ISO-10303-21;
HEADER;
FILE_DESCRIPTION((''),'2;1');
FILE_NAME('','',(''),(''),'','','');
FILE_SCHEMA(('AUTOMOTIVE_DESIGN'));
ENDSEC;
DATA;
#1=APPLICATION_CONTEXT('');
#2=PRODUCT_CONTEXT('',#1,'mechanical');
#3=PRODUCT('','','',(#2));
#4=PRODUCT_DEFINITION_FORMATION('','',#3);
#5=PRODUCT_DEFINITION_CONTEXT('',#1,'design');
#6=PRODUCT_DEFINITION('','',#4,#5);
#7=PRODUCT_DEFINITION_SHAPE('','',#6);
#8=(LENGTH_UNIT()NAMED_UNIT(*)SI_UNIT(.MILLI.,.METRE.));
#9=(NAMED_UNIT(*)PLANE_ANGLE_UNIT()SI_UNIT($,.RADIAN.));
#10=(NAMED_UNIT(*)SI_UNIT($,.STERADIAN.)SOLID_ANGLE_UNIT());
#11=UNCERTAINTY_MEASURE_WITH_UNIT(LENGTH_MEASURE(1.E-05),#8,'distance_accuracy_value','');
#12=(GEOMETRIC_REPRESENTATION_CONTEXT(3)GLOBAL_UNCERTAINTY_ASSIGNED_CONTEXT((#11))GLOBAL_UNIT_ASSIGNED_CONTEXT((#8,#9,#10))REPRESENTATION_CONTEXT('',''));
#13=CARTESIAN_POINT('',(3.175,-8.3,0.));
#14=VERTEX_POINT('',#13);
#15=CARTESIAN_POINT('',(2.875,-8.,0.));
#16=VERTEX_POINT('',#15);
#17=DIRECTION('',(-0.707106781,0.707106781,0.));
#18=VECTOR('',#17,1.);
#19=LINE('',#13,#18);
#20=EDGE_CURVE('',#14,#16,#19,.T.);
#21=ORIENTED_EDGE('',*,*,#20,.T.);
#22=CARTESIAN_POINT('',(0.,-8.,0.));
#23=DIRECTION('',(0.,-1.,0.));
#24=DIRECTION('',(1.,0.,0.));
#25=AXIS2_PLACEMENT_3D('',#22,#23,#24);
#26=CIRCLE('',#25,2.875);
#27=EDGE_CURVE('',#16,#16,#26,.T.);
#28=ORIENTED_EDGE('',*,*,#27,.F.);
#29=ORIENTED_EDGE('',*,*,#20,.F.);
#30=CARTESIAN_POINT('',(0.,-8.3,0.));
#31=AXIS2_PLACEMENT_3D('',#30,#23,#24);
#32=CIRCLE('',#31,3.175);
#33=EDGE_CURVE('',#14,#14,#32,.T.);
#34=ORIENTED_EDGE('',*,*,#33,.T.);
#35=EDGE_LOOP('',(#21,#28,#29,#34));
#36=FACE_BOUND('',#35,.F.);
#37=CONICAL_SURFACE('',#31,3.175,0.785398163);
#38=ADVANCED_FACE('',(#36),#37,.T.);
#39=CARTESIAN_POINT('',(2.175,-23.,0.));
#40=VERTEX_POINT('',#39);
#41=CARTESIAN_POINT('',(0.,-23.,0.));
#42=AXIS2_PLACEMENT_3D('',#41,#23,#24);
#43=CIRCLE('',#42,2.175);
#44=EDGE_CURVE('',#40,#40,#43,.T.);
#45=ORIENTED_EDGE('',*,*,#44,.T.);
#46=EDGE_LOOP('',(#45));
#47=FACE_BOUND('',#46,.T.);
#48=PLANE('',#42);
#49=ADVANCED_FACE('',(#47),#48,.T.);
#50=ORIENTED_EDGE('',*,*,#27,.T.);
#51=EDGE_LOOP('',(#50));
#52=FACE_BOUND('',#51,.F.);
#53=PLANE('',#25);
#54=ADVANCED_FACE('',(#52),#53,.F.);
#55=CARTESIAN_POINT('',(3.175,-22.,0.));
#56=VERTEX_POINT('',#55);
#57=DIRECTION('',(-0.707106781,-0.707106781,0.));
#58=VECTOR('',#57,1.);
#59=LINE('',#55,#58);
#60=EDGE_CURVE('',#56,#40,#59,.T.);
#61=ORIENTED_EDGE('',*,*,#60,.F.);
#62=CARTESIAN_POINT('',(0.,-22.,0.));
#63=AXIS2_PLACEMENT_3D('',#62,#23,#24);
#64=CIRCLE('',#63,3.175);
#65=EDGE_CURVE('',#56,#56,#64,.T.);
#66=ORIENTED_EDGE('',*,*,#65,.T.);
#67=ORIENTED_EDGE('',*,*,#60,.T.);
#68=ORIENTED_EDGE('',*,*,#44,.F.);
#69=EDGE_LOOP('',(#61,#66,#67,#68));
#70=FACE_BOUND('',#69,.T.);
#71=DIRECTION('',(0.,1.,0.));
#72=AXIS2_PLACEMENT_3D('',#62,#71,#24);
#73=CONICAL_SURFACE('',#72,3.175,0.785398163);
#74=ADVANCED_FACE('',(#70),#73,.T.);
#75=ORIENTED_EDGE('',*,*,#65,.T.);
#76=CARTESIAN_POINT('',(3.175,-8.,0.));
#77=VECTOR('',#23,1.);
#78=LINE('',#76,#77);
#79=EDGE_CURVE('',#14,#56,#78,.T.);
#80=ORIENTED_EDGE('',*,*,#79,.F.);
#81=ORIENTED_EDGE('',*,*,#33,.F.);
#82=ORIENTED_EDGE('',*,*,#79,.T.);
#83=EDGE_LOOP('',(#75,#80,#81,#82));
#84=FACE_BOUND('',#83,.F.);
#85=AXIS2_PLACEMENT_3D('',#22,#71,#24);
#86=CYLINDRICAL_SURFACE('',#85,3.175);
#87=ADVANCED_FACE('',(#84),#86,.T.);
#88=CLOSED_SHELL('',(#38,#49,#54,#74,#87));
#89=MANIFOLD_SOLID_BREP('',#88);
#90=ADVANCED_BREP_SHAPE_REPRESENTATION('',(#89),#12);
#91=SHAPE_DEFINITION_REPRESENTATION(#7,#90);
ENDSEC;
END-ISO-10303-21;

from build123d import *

# Parameters (mm, degrees)
SKETCH022_R     = 3.175
PAD011_DEPTH    = 15
CHAMFER_SIZE    = 0.3
CHAMFER001_SIZE = 1


with BuildPart() as part:
    # Sketch022 → Pad011 (new body)
    with BuildSketch(Plane.XZ):
        Circle(SKETCH022_R)
    extrude(amount=PAD011_DEPTH)

    # Chamfer
    chamfer_edges = [part.edges().sort_by_distance(p)[0] for p in [
        (-3.175, 0, 0),
    ]]
    chamfer(chamfer_edges, length=CHAMFER_SIZE)

    # Chamfer001
    chamfer001_edges = [part.edges().sort_by_distance(p)[0] for p in [
        (-3.175, -15, 0),
    ]]
    chamfer(chamfer001_edges, length=CHAMFER001_SIZE)


with BuildPart() as part_1:
    # Body003003 placement: moved
    add(part.part.moved(Location((0, -8, 0))))


solid = part_1.part
